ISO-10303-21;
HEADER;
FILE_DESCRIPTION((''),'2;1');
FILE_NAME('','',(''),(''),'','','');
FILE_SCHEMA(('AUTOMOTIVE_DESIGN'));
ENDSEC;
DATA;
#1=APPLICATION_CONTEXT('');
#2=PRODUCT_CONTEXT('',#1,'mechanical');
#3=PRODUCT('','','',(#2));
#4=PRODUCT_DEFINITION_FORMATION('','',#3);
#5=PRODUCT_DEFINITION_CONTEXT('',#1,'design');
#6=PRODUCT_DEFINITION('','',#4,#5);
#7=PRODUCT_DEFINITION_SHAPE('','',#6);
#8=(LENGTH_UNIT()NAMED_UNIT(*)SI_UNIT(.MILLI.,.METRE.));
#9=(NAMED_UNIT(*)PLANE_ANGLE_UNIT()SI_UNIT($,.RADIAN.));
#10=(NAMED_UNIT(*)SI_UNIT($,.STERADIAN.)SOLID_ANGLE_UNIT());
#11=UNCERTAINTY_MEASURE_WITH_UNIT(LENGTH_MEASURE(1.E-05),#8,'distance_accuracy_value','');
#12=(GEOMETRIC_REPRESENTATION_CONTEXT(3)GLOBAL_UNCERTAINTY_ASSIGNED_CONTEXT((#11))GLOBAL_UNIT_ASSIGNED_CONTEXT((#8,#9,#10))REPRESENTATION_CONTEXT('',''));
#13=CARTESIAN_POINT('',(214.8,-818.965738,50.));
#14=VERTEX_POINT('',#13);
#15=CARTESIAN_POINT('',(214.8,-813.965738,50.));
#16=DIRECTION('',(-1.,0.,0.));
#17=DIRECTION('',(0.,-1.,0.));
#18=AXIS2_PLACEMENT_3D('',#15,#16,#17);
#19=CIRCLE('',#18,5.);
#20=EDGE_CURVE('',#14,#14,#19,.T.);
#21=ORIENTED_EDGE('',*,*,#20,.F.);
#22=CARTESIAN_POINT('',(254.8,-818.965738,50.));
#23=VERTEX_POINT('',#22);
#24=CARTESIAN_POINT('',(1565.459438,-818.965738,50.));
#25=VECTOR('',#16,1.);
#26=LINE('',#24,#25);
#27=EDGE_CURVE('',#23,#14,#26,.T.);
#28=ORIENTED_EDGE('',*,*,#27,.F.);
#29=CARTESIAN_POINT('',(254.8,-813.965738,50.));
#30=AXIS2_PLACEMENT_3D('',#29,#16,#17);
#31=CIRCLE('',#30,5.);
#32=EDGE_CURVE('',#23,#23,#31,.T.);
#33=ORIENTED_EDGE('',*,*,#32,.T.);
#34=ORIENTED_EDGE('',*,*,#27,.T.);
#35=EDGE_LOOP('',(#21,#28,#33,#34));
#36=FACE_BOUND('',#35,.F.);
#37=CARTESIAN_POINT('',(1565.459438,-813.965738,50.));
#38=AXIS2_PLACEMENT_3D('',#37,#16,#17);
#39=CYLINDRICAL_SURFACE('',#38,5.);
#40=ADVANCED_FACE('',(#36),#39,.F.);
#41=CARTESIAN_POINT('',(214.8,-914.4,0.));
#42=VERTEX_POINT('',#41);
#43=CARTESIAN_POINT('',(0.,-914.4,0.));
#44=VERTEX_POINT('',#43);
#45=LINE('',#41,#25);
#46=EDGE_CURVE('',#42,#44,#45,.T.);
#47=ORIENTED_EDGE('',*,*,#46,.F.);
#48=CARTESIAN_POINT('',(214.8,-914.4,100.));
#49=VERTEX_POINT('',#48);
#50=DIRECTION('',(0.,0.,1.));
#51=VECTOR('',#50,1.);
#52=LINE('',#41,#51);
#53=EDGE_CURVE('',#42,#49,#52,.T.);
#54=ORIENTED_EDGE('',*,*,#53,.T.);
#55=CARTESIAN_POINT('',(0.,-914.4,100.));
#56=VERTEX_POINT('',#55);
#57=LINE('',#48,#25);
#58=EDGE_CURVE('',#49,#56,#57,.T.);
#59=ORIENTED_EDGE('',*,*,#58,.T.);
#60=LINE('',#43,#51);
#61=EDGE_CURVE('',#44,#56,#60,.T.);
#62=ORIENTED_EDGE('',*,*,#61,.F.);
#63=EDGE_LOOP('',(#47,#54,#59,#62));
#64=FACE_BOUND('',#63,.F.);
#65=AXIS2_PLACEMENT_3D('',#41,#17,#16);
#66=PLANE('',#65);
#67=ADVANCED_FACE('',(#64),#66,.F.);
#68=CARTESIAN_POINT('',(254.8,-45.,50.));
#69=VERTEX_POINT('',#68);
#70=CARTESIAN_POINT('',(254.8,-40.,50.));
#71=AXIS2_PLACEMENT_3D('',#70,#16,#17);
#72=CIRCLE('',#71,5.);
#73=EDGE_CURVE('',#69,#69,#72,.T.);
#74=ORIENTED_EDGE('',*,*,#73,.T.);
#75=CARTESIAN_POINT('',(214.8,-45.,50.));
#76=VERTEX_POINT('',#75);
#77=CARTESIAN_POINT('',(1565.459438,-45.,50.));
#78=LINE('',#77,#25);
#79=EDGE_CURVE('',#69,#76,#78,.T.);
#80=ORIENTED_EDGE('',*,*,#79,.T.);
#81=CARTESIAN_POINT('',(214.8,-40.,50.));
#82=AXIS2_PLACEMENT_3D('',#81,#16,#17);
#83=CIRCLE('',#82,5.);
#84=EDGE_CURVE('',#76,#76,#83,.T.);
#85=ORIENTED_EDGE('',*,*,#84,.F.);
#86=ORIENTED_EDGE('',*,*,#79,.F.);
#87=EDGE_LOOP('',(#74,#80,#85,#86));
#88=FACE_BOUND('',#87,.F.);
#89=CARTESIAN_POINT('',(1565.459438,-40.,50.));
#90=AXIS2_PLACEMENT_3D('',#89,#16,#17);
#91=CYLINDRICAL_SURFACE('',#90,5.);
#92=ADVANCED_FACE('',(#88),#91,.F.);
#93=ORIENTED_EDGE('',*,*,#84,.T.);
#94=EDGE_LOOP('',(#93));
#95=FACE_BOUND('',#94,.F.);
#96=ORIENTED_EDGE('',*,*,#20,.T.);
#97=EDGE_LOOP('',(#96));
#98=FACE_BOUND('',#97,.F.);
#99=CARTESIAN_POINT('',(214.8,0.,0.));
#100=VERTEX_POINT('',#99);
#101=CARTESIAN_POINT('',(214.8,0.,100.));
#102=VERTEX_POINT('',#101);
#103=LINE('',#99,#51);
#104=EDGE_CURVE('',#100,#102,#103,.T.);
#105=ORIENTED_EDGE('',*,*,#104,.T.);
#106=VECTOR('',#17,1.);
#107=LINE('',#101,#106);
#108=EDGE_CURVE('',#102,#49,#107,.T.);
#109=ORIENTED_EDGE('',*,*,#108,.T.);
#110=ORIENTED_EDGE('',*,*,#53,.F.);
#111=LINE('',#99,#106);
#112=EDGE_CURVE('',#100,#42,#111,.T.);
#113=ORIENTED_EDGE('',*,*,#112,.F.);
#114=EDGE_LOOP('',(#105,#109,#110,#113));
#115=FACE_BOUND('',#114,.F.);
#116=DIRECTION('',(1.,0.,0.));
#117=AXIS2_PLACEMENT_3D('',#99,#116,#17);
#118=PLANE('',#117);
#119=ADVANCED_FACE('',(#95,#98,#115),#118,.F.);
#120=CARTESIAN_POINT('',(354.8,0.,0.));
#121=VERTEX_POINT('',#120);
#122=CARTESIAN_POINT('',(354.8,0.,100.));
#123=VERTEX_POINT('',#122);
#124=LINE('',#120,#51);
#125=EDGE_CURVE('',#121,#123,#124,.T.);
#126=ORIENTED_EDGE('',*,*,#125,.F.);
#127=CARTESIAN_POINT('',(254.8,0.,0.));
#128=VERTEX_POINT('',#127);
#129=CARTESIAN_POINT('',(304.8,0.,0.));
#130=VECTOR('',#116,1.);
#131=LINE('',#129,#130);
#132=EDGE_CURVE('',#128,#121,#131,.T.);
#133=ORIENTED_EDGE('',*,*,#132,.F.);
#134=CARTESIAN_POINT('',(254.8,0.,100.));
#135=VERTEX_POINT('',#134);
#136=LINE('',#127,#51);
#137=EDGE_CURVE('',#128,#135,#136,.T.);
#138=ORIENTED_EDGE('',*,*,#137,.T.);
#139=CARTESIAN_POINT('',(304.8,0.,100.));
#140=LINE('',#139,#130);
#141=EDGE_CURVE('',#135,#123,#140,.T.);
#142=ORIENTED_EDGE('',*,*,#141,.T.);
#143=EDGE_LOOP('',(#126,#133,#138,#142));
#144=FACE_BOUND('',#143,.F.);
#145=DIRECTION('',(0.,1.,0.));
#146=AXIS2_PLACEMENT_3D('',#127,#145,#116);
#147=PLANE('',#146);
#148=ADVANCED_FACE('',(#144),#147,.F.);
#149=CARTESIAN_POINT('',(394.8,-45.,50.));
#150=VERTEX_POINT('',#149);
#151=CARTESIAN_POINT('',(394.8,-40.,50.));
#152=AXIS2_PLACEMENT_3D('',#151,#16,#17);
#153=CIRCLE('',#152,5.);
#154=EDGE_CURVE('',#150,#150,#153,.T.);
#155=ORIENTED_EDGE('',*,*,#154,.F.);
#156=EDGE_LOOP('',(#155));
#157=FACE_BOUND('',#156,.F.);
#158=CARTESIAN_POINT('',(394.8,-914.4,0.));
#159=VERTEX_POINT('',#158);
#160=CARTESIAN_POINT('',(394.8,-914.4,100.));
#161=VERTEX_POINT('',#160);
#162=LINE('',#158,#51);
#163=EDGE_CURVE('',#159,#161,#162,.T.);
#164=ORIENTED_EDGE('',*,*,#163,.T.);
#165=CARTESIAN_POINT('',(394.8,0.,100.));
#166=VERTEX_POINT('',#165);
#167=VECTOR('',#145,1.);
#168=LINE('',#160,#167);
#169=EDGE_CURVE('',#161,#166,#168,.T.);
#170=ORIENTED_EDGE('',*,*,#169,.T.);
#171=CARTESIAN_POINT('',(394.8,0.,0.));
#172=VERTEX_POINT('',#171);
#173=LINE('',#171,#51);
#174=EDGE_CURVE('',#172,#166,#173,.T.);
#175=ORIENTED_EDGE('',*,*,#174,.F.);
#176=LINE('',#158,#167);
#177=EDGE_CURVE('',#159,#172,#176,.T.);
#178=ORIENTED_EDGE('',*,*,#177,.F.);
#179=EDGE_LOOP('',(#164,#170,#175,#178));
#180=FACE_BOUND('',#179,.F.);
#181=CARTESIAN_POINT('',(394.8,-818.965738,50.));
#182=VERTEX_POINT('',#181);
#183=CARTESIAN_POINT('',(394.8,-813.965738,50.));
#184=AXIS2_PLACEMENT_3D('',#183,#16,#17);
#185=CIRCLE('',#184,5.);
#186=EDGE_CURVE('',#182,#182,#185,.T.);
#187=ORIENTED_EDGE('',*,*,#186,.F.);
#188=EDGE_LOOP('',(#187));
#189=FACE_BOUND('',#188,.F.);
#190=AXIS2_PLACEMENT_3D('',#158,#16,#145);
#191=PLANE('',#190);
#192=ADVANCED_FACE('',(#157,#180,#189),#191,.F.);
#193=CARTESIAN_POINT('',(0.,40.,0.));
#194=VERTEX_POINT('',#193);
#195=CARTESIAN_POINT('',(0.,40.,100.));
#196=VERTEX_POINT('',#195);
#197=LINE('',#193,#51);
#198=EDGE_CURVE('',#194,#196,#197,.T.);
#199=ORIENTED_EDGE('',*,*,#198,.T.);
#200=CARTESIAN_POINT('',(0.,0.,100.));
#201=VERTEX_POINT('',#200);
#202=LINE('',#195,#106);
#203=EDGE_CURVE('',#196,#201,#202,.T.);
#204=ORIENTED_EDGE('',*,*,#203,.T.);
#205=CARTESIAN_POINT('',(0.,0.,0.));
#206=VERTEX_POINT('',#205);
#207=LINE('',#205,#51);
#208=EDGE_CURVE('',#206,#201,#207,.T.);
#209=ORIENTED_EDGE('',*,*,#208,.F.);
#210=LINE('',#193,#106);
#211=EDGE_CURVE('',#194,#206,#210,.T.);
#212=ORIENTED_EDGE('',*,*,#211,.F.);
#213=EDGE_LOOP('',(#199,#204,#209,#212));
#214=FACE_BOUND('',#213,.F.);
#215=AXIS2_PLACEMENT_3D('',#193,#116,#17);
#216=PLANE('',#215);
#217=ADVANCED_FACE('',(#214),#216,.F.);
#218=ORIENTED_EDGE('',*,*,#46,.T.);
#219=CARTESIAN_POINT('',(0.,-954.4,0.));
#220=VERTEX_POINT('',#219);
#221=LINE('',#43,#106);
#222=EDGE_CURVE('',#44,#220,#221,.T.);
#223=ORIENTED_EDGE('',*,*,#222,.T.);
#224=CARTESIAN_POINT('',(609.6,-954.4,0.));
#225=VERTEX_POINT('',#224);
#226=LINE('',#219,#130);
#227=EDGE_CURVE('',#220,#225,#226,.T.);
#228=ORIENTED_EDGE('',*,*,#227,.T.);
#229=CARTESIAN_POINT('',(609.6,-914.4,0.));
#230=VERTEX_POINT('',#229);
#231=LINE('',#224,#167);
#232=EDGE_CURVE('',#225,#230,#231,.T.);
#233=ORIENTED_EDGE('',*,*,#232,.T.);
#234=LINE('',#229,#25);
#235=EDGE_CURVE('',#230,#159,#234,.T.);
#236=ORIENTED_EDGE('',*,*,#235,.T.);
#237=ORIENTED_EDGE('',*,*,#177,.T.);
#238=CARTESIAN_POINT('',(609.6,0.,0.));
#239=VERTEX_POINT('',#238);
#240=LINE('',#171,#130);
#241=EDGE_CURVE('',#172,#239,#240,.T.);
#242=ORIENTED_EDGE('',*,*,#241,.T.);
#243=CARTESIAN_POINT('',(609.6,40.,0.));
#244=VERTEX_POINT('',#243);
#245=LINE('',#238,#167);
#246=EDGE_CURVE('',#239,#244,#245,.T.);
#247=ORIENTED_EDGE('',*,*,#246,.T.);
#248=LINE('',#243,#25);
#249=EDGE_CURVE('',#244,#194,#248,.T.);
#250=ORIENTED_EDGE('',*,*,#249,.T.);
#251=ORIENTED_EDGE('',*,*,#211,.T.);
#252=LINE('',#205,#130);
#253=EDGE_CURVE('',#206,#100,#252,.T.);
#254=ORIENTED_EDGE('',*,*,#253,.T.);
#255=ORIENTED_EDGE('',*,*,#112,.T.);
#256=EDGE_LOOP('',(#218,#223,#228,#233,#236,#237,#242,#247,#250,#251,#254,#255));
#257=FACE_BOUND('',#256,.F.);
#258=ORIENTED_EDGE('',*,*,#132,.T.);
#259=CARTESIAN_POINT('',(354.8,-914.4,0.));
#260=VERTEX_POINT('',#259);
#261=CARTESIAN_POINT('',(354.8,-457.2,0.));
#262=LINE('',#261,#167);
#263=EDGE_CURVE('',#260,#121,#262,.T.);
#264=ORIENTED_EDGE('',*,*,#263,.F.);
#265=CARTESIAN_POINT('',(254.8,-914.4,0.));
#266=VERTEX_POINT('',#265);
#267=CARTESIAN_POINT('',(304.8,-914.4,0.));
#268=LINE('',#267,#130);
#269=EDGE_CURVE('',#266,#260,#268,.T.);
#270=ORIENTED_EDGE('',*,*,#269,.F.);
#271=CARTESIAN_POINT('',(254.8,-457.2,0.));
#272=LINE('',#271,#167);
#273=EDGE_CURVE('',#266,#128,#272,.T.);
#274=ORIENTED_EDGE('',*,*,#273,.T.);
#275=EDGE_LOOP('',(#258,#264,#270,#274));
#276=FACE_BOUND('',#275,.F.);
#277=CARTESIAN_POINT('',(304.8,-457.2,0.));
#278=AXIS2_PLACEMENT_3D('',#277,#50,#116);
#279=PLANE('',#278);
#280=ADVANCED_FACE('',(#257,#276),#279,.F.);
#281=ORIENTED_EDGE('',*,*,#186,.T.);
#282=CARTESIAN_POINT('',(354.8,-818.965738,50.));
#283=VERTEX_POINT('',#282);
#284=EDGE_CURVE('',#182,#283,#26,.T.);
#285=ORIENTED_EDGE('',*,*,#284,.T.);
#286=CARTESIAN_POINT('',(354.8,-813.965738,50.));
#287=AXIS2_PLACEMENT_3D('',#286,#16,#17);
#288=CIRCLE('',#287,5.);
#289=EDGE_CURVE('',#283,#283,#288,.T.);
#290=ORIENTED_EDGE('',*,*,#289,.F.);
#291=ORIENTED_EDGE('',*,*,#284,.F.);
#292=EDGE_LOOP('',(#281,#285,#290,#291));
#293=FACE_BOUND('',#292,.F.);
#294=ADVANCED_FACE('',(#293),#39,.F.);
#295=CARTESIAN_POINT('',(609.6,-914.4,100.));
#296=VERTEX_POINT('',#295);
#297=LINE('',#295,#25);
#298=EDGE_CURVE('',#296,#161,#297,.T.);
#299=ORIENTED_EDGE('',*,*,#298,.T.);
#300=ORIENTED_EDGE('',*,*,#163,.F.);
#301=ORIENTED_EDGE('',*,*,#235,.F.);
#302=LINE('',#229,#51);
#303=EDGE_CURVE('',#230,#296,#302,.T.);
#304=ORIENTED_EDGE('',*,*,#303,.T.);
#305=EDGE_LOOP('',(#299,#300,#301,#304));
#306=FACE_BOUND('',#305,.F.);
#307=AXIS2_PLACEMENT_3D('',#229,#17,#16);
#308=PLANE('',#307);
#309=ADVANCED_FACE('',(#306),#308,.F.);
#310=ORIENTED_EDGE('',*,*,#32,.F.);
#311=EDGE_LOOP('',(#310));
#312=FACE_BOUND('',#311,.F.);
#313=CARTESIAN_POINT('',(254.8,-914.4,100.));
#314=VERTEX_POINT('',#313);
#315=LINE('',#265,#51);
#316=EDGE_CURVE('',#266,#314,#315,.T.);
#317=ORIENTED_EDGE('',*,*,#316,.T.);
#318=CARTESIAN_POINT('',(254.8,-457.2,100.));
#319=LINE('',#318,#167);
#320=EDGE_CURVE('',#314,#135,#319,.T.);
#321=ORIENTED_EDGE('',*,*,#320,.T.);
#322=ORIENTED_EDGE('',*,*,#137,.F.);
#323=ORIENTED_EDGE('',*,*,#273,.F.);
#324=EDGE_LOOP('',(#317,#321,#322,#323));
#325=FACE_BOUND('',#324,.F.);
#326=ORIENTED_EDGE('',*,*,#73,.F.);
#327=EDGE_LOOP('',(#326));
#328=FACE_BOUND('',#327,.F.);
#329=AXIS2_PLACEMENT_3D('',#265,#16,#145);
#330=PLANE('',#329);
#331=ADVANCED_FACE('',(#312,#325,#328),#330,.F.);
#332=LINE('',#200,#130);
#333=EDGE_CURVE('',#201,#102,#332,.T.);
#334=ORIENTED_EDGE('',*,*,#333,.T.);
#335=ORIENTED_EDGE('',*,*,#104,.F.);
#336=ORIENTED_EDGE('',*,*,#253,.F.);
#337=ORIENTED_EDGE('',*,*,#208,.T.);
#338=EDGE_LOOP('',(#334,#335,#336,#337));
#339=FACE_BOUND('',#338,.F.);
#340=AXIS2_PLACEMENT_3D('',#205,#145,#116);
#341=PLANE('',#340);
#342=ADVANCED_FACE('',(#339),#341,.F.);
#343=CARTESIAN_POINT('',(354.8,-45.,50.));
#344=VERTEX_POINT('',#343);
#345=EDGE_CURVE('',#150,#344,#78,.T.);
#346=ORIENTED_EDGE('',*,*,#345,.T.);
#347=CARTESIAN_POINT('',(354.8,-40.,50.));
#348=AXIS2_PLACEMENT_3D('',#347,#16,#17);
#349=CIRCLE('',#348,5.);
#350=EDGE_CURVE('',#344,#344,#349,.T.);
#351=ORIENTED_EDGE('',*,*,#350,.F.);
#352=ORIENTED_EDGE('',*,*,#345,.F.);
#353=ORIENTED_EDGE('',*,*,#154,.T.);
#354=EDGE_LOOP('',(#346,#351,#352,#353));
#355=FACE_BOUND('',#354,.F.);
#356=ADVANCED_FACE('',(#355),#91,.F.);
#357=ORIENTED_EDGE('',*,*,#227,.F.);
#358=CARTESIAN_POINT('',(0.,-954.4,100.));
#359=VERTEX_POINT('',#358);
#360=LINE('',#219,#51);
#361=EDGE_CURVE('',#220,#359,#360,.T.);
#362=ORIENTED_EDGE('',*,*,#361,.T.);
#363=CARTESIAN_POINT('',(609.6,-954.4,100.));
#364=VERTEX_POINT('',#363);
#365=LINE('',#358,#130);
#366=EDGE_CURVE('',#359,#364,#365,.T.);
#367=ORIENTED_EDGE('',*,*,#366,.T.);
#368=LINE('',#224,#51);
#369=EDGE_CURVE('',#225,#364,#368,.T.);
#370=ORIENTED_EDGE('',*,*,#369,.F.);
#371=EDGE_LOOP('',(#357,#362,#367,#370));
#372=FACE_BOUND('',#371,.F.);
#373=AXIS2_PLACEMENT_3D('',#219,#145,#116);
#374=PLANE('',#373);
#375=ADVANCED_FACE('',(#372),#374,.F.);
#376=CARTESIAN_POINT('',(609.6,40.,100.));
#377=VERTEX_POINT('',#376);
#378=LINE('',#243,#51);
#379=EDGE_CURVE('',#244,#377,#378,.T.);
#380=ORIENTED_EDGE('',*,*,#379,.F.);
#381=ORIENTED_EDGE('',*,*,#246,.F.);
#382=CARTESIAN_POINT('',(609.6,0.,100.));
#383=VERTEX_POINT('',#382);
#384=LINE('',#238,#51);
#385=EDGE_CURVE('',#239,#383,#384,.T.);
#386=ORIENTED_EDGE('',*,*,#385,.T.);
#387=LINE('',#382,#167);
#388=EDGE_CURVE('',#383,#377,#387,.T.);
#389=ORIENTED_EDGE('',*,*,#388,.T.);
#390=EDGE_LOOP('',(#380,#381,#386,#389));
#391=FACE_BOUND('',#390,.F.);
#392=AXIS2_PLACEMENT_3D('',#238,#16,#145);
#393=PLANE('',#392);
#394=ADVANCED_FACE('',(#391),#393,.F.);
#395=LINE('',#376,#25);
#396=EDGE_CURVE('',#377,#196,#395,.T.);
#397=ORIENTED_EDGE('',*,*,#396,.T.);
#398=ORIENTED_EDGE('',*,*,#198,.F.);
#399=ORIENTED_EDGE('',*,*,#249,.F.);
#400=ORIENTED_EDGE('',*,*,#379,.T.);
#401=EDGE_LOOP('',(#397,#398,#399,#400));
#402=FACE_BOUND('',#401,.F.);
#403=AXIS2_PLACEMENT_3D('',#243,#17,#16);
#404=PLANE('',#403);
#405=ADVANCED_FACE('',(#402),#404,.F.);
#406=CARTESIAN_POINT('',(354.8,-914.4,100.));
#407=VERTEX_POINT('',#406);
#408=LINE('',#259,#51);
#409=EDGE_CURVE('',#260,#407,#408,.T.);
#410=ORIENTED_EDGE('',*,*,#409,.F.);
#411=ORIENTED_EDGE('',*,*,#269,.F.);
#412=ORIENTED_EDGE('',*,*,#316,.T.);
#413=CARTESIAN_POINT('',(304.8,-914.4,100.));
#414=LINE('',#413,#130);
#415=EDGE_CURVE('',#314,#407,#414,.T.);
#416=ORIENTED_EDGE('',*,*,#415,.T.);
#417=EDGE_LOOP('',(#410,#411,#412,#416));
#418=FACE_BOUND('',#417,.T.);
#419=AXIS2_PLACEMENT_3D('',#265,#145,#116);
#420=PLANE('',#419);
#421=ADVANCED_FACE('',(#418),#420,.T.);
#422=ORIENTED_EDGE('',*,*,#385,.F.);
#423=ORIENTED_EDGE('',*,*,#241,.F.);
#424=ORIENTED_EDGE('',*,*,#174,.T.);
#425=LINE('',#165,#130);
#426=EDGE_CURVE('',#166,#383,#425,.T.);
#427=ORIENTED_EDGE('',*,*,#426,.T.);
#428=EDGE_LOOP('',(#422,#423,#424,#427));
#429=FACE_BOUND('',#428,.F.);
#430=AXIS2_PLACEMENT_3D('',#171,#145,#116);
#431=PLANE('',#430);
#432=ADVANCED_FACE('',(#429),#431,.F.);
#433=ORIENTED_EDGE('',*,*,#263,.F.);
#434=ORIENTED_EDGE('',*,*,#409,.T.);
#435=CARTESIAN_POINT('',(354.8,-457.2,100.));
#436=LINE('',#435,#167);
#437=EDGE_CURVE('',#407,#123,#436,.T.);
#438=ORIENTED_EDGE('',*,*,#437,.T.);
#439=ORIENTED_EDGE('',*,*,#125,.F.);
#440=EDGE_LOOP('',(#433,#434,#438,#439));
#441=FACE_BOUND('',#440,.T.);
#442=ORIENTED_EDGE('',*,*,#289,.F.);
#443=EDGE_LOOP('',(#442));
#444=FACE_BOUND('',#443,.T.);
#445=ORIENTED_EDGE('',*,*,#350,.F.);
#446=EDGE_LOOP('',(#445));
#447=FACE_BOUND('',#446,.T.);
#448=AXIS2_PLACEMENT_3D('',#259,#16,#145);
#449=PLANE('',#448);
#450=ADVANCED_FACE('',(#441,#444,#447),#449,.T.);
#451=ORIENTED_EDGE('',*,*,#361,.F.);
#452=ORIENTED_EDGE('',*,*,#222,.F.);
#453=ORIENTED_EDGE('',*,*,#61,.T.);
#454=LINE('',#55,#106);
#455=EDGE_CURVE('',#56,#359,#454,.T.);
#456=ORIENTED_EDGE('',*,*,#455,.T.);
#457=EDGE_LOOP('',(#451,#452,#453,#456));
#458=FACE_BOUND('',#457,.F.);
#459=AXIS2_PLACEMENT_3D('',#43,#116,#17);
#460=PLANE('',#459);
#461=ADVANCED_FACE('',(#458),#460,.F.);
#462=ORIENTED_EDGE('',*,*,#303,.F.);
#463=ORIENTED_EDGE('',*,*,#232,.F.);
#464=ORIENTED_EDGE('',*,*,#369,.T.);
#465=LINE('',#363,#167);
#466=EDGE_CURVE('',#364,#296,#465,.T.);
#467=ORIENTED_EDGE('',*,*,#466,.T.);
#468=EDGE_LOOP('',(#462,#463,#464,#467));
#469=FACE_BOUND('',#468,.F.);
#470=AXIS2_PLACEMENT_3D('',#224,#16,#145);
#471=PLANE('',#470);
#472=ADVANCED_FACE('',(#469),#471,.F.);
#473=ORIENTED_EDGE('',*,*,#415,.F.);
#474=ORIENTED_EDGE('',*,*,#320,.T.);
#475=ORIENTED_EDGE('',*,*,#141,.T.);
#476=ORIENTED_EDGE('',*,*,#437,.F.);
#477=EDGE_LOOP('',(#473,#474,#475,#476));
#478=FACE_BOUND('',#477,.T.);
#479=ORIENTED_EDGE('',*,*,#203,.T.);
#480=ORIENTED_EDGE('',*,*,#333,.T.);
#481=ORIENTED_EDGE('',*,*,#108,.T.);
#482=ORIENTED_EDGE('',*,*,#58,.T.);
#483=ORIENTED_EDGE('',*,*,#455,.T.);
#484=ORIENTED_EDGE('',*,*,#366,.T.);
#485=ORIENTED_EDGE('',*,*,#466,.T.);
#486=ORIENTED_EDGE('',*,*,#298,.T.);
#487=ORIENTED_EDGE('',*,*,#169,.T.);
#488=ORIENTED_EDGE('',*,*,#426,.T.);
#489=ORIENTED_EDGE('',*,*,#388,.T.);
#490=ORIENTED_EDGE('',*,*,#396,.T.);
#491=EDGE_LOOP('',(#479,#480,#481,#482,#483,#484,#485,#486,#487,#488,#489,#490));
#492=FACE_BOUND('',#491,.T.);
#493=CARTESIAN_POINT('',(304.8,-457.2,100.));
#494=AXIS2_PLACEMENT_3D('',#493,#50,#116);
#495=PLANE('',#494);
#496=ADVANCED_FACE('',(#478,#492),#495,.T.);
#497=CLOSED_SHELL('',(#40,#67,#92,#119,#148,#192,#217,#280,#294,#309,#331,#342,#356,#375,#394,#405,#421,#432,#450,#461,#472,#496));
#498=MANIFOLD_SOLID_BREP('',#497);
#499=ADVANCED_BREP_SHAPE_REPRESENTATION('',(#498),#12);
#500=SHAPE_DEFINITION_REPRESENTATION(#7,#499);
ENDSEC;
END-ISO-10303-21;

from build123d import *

# Parameters (mm, degrees)
F0_W     = 100
F0_H     = 914.4
F1_DEPTH = 100
F3_D     = 10
F4_D     = 10


with BuildPart() as f1:
    # F0 (on Top) → F1 (new body)
    with BuildSketch(Plane.XY):
        Polygon((0, 40), (0, 0), (214.8, 0), (214.8, -914.4), (0, -914.4), (0, -954.4), (609.6, -954.4), (609.6, -914.4), (394.8, -914.4), (394.8, 0), (609.6, 0), (609.6, 40), align=None)
        with Locations((304.8, -457.2)):
            Rectangle(F0_W, F0_H, mode=Mode.SUBTRACT)
    extrude(amount=F1_DEPTH)

    # F3 (through all)
    with Locations(Plane.YZ.offset(394.8)):
        with Locations((-40, 50)):
            Hole(F3_D / 2)

    # F4 (through all)
    with Locations(Plane.YZ.offset(394.8)):
        with Locations((-813.965738, 50)):
            Hole(F4_D / 2)


solid = f1.part
